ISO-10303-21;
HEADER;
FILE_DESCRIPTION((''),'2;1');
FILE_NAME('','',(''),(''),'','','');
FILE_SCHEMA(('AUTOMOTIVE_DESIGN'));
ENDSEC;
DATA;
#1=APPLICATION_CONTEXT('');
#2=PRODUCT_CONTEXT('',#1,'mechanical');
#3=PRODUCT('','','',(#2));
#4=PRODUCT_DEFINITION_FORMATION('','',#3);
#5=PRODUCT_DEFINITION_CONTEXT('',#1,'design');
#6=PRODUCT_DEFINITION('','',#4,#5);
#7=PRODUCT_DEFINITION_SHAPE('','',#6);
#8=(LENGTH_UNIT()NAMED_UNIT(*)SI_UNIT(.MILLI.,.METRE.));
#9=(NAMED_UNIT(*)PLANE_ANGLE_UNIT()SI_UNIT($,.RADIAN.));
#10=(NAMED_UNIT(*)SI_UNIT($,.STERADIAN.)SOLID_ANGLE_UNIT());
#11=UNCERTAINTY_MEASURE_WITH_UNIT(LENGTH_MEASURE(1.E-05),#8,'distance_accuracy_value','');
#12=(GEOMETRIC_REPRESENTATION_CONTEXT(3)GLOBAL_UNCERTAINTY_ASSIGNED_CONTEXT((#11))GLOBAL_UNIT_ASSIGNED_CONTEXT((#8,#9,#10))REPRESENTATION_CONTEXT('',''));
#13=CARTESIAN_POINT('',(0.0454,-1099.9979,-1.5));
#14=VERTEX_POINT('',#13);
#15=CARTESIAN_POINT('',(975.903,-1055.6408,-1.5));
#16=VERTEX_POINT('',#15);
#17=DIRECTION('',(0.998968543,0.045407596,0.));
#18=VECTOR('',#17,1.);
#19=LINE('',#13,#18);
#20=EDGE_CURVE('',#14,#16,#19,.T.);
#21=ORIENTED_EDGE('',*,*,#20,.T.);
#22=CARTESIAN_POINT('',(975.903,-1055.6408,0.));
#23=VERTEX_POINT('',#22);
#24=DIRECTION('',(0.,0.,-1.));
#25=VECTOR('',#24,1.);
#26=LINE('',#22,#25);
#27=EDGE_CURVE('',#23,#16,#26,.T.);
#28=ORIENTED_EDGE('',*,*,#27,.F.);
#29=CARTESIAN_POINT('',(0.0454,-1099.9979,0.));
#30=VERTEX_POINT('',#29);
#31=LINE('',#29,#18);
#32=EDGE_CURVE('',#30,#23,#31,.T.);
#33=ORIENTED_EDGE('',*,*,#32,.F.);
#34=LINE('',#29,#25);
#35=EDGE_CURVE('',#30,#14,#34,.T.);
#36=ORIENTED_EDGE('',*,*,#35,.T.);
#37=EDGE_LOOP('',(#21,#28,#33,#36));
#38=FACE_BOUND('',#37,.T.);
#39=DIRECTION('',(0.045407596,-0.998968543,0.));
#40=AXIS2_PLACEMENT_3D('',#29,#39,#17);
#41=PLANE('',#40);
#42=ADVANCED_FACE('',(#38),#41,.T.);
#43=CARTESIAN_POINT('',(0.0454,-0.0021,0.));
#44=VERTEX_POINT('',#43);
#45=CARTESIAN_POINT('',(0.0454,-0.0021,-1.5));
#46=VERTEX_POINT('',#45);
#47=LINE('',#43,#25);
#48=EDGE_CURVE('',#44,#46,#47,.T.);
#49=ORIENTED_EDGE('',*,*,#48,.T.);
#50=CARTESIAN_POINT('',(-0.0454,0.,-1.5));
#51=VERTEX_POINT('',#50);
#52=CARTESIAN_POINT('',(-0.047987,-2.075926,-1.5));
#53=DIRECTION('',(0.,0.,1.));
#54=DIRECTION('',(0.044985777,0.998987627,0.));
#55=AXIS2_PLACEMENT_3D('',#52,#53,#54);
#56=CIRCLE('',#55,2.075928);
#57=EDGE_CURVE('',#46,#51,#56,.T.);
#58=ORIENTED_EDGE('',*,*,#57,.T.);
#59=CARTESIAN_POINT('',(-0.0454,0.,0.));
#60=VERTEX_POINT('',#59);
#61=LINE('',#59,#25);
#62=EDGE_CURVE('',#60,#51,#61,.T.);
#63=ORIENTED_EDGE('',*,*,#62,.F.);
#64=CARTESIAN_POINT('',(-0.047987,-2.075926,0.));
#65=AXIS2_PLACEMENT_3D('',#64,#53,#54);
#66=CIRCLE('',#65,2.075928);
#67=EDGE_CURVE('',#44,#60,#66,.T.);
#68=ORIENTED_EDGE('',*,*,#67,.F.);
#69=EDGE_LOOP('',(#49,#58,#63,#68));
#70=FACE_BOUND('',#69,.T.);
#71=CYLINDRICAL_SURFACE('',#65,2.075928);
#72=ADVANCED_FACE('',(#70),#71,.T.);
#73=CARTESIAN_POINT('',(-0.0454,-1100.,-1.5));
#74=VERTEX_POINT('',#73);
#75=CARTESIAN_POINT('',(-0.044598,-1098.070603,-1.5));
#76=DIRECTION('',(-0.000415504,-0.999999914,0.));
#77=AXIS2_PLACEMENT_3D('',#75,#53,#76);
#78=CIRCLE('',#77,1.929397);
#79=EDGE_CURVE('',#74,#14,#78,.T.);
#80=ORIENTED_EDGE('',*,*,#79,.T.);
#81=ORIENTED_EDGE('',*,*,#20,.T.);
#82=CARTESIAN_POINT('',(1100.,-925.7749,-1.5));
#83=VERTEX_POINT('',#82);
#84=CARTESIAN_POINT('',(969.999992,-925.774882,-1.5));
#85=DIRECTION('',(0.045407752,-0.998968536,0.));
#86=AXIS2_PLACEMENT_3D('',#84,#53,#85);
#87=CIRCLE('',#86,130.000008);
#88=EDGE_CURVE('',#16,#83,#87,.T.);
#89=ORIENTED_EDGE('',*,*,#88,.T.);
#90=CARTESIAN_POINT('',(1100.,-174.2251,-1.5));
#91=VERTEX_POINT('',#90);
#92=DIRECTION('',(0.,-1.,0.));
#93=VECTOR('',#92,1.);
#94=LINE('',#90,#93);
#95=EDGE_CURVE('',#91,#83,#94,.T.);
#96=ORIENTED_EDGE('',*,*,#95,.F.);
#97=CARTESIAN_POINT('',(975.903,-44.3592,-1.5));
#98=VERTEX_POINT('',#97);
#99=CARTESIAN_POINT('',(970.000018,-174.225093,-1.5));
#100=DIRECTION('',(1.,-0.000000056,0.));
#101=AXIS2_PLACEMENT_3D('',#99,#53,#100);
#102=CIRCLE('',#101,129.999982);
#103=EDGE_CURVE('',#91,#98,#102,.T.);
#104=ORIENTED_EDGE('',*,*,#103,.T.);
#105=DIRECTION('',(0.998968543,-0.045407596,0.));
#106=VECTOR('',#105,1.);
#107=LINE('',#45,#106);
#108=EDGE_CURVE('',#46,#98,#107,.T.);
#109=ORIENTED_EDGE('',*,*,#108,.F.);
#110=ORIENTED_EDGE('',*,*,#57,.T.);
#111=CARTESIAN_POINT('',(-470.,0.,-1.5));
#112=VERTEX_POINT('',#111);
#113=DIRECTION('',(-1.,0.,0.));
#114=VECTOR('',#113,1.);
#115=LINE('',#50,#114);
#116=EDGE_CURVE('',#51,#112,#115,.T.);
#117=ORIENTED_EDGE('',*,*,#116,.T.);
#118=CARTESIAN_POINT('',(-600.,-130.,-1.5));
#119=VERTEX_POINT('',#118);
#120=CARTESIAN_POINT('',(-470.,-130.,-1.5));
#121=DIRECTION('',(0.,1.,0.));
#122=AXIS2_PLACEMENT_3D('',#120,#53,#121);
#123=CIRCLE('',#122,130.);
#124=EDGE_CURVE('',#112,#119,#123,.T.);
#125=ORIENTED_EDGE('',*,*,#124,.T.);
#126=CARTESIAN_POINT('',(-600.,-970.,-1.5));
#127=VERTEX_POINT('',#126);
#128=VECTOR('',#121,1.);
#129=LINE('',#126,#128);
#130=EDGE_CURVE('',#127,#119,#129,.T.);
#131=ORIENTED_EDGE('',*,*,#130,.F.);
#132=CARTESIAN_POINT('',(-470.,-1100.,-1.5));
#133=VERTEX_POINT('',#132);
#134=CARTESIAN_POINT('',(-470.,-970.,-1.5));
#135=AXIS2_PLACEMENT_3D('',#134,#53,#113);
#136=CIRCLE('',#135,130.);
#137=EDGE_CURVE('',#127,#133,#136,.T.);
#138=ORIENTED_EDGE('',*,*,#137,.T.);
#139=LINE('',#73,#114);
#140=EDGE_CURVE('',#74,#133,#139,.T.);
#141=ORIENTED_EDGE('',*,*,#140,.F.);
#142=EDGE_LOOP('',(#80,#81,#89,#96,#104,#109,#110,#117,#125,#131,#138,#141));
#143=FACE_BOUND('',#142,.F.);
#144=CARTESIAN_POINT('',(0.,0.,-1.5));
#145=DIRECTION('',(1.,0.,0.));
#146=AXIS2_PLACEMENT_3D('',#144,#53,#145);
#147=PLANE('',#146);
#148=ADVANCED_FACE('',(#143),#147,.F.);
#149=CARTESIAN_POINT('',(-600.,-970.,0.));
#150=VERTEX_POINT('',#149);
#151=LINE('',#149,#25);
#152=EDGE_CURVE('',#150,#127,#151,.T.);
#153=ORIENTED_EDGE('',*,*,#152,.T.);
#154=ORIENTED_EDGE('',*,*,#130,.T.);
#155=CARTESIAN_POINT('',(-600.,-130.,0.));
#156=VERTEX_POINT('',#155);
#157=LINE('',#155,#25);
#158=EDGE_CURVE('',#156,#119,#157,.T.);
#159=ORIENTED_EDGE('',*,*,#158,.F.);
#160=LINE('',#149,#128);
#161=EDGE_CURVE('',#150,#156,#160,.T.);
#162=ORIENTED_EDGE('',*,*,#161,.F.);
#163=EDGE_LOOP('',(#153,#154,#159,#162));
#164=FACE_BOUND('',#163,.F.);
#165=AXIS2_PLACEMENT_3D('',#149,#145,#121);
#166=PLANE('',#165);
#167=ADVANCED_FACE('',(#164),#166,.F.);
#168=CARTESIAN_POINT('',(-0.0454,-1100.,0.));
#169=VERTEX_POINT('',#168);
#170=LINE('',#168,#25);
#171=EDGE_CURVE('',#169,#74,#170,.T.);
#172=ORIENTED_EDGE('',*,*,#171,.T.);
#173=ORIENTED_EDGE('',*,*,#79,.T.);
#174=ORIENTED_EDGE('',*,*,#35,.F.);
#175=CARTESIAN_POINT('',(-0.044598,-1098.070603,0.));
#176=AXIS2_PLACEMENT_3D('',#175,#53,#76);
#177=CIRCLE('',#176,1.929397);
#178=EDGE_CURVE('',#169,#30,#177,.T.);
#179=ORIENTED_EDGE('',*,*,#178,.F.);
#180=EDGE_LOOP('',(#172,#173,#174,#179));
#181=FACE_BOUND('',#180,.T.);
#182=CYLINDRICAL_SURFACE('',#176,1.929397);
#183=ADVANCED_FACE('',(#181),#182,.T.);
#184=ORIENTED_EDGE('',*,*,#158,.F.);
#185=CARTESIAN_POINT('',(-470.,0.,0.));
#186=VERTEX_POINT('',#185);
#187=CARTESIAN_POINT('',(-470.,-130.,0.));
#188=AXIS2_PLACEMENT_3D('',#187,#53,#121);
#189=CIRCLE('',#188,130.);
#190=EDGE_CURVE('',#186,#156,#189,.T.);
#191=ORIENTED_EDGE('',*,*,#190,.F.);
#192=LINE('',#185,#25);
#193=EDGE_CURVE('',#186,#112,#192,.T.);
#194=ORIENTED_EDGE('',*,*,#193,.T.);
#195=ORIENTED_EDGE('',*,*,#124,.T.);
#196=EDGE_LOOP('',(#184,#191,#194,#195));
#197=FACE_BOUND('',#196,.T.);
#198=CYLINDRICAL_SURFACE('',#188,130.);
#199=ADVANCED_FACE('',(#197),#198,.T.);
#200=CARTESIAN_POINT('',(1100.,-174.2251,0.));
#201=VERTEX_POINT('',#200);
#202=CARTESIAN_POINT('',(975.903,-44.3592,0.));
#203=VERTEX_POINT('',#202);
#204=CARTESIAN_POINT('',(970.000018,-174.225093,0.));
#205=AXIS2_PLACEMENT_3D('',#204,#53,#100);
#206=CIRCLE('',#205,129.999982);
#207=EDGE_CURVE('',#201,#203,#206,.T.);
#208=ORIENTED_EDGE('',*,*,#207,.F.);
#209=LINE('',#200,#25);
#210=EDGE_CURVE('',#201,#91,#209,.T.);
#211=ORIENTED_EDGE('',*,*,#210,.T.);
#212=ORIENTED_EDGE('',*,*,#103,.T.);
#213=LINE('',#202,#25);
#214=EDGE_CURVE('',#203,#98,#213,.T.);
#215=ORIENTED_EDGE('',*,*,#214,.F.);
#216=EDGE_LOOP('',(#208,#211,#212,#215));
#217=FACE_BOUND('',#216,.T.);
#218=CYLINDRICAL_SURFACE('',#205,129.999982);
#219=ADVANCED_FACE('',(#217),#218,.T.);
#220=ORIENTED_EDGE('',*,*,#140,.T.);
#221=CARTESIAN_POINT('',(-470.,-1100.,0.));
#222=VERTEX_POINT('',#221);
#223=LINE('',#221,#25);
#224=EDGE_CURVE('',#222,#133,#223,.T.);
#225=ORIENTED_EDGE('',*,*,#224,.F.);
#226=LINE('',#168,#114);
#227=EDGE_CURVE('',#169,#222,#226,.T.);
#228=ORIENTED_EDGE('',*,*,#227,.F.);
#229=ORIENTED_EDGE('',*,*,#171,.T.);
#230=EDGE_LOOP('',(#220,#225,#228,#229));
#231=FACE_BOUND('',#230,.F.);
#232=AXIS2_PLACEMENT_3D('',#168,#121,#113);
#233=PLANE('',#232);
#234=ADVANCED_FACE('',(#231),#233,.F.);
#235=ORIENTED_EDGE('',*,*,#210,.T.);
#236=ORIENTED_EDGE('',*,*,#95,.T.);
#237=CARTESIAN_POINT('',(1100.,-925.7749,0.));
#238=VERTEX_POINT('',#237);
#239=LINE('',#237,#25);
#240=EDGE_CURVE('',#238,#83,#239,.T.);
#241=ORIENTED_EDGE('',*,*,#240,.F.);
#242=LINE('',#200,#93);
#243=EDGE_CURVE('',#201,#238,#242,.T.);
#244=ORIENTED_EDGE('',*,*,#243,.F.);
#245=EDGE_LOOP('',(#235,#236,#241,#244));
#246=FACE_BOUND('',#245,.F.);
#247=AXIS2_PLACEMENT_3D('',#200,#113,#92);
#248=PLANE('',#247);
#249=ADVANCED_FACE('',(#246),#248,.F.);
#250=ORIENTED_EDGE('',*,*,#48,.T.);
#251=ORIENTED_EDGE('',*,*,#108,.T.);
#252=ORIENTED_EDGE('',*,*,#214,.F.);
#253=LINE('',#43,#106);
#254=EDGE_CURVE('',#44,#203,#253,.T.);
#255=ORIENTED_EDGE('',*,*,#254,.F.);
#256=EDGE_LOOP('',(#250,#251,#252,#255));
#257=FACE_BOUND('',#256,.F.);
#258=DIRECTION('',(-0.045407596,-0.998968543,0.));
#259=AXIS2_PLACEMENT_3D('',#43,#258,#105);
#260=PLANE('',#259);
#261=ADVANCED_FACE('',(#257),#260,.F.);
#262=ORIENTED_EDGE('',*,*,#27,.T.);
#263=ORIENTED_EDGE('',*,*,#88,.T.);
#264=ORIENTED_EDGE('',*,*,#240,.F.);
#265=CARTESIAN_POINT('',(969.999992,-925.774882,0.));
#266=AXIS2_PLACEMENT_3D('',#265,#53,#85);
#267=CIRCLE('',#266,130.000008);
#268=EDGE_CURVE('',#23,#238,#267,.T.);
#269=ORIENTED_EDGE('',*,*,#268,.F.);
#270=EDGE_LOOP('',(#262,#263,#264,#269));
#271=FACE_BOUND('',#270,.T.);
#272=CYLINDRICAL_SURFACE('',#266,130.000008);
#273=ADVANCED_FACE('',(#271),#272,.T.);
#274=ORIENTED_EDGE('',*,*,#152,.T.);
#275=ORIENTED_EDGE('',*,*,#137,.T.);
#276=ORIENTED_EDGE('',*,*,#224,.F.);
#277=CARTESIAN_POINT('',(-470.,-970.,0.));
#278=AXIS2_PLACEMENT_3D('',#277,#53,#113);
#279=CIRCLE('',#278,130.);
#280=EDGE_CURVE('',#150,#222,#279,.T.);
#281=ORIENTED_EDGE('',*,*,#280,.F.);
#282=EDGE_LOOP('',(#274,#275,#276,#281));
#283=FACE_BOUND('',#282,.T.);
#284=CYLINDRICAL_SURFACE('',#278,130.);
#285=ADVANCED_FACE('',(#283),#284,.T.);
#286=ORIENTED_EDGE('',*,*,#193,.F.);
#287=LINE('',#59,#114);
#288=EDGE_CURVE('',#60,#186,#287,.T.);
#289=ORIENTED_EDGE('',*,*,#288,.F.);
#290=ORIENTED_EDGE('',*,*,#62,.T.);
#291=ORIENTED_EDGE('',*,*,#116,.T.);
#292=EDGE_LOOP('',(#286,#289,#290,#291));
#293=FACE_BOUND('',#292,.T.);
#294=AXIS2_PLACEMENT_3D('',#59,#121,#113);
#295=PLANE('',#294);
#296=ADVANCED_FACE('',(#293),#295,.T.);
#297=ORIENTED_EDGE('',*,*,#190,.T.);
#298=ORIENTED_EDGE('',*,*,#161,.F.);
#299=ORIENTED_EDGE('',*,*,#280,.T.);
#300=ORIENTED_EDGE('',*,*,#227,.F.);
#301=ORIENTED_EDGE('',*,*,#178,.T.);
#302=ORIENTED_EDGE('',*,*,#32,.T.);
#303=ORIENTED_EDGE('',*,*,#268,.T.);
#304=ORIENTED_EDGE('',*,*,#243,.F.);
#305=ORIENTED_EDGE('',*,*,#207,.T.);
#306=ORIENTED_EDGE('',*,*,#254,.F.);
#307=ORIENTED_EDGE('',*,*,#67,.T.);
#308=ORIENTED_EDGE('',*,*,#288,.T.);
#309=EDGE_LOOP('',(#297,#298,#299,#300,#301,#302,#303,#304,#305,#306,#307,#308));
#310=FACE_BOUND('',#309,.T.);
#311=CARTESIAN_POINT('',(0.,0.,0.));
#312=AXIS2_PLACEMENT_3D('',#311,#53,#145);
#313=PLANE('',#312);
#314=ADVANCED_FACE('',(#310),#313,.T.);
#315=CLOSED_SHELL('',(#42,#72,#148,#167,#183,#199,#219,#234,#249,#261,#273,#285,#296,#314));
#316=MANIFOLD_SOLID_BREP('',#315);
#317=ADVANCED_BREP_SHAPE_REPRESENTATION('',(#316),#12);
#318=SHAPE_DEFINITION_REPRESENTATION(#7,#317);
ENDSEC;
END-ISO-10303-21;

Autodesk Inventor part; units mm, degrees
ref_plane "YZ Plane" through (0, 0, 0) normal (1, 0, 0) x (0, 1, 0)
ref_plane "XZ Plane" through (0, 0, 0) normal (0, 1, 0) x (-1, 0, 0)
ref_plane "Work Plane1" through (0, 0, 0) normal (0, 0, 1) x (1, 0, 0)
sketch "Sketch1" plane through (0, 0, 0) normal (0, 0, 1) x (1, 0, 0)
  arc A0 (-0.0454, -1100) -> (0.0454, -1099.9979) centre (-0.0454, -1098) ccw
  line L0 (0.0454, -1099.9979) -> (975.903, -1055.6408)
  arc A1 (975.903, -1055.6408) -> (1100, -925.7749) centre (970, -925.7749) ccw
  line L1 (1100, -174.2251) -> (1100, -925.7749)
  arc A2 (1100, -174.2251) -> (975.903, -44.3592) centre (970, -174.2251) ccw
  line L2 (0.0454, -0.0021) -> (975.903, -44.3592)
  arc A3 (0.0454, -0.0021) -> (-0.0454, 0) centre (-0.0454, -2) ccw
  line L3 (-0.0454, 0) -> (-470, 0)
  arc A4 (-470, 0) -> (-600, -130) centre (-470, -130) ccw
  line L4 (-600, -970) -> (-600, -130)
  arc A5 (-600, -970) -> (-470, -1100) centre (-470, -970) ccw
  line L5 (-0.0454, -1100) -> (-470, -1100)
  point P0 (0, 0)
extrude "Plate1" add sketch "Sketch1" against normal blind 1.5
equation "\"d0\" = Thickness"
equation "\"BendRadius\" = Thickness"
equation "\"BendReliefWidth\" = Thickness"
equation "\"BendReliefDepth\" = 0.5 * Thickness"
equation "\"CornerReliefSize\" = 4 * Thickness"
equation "\"MinimumRemnant\" = 2 * Thickness"
equation "\"TransitionRadius\" = BendRadius"
equation "\"JacobiRadiusSize\" = BendRadius"
equation "\"GapSize\" = Thickness"
equation "\"Thickness\" = 1.5"
properties part number "CARCASA_ALUM_4"
